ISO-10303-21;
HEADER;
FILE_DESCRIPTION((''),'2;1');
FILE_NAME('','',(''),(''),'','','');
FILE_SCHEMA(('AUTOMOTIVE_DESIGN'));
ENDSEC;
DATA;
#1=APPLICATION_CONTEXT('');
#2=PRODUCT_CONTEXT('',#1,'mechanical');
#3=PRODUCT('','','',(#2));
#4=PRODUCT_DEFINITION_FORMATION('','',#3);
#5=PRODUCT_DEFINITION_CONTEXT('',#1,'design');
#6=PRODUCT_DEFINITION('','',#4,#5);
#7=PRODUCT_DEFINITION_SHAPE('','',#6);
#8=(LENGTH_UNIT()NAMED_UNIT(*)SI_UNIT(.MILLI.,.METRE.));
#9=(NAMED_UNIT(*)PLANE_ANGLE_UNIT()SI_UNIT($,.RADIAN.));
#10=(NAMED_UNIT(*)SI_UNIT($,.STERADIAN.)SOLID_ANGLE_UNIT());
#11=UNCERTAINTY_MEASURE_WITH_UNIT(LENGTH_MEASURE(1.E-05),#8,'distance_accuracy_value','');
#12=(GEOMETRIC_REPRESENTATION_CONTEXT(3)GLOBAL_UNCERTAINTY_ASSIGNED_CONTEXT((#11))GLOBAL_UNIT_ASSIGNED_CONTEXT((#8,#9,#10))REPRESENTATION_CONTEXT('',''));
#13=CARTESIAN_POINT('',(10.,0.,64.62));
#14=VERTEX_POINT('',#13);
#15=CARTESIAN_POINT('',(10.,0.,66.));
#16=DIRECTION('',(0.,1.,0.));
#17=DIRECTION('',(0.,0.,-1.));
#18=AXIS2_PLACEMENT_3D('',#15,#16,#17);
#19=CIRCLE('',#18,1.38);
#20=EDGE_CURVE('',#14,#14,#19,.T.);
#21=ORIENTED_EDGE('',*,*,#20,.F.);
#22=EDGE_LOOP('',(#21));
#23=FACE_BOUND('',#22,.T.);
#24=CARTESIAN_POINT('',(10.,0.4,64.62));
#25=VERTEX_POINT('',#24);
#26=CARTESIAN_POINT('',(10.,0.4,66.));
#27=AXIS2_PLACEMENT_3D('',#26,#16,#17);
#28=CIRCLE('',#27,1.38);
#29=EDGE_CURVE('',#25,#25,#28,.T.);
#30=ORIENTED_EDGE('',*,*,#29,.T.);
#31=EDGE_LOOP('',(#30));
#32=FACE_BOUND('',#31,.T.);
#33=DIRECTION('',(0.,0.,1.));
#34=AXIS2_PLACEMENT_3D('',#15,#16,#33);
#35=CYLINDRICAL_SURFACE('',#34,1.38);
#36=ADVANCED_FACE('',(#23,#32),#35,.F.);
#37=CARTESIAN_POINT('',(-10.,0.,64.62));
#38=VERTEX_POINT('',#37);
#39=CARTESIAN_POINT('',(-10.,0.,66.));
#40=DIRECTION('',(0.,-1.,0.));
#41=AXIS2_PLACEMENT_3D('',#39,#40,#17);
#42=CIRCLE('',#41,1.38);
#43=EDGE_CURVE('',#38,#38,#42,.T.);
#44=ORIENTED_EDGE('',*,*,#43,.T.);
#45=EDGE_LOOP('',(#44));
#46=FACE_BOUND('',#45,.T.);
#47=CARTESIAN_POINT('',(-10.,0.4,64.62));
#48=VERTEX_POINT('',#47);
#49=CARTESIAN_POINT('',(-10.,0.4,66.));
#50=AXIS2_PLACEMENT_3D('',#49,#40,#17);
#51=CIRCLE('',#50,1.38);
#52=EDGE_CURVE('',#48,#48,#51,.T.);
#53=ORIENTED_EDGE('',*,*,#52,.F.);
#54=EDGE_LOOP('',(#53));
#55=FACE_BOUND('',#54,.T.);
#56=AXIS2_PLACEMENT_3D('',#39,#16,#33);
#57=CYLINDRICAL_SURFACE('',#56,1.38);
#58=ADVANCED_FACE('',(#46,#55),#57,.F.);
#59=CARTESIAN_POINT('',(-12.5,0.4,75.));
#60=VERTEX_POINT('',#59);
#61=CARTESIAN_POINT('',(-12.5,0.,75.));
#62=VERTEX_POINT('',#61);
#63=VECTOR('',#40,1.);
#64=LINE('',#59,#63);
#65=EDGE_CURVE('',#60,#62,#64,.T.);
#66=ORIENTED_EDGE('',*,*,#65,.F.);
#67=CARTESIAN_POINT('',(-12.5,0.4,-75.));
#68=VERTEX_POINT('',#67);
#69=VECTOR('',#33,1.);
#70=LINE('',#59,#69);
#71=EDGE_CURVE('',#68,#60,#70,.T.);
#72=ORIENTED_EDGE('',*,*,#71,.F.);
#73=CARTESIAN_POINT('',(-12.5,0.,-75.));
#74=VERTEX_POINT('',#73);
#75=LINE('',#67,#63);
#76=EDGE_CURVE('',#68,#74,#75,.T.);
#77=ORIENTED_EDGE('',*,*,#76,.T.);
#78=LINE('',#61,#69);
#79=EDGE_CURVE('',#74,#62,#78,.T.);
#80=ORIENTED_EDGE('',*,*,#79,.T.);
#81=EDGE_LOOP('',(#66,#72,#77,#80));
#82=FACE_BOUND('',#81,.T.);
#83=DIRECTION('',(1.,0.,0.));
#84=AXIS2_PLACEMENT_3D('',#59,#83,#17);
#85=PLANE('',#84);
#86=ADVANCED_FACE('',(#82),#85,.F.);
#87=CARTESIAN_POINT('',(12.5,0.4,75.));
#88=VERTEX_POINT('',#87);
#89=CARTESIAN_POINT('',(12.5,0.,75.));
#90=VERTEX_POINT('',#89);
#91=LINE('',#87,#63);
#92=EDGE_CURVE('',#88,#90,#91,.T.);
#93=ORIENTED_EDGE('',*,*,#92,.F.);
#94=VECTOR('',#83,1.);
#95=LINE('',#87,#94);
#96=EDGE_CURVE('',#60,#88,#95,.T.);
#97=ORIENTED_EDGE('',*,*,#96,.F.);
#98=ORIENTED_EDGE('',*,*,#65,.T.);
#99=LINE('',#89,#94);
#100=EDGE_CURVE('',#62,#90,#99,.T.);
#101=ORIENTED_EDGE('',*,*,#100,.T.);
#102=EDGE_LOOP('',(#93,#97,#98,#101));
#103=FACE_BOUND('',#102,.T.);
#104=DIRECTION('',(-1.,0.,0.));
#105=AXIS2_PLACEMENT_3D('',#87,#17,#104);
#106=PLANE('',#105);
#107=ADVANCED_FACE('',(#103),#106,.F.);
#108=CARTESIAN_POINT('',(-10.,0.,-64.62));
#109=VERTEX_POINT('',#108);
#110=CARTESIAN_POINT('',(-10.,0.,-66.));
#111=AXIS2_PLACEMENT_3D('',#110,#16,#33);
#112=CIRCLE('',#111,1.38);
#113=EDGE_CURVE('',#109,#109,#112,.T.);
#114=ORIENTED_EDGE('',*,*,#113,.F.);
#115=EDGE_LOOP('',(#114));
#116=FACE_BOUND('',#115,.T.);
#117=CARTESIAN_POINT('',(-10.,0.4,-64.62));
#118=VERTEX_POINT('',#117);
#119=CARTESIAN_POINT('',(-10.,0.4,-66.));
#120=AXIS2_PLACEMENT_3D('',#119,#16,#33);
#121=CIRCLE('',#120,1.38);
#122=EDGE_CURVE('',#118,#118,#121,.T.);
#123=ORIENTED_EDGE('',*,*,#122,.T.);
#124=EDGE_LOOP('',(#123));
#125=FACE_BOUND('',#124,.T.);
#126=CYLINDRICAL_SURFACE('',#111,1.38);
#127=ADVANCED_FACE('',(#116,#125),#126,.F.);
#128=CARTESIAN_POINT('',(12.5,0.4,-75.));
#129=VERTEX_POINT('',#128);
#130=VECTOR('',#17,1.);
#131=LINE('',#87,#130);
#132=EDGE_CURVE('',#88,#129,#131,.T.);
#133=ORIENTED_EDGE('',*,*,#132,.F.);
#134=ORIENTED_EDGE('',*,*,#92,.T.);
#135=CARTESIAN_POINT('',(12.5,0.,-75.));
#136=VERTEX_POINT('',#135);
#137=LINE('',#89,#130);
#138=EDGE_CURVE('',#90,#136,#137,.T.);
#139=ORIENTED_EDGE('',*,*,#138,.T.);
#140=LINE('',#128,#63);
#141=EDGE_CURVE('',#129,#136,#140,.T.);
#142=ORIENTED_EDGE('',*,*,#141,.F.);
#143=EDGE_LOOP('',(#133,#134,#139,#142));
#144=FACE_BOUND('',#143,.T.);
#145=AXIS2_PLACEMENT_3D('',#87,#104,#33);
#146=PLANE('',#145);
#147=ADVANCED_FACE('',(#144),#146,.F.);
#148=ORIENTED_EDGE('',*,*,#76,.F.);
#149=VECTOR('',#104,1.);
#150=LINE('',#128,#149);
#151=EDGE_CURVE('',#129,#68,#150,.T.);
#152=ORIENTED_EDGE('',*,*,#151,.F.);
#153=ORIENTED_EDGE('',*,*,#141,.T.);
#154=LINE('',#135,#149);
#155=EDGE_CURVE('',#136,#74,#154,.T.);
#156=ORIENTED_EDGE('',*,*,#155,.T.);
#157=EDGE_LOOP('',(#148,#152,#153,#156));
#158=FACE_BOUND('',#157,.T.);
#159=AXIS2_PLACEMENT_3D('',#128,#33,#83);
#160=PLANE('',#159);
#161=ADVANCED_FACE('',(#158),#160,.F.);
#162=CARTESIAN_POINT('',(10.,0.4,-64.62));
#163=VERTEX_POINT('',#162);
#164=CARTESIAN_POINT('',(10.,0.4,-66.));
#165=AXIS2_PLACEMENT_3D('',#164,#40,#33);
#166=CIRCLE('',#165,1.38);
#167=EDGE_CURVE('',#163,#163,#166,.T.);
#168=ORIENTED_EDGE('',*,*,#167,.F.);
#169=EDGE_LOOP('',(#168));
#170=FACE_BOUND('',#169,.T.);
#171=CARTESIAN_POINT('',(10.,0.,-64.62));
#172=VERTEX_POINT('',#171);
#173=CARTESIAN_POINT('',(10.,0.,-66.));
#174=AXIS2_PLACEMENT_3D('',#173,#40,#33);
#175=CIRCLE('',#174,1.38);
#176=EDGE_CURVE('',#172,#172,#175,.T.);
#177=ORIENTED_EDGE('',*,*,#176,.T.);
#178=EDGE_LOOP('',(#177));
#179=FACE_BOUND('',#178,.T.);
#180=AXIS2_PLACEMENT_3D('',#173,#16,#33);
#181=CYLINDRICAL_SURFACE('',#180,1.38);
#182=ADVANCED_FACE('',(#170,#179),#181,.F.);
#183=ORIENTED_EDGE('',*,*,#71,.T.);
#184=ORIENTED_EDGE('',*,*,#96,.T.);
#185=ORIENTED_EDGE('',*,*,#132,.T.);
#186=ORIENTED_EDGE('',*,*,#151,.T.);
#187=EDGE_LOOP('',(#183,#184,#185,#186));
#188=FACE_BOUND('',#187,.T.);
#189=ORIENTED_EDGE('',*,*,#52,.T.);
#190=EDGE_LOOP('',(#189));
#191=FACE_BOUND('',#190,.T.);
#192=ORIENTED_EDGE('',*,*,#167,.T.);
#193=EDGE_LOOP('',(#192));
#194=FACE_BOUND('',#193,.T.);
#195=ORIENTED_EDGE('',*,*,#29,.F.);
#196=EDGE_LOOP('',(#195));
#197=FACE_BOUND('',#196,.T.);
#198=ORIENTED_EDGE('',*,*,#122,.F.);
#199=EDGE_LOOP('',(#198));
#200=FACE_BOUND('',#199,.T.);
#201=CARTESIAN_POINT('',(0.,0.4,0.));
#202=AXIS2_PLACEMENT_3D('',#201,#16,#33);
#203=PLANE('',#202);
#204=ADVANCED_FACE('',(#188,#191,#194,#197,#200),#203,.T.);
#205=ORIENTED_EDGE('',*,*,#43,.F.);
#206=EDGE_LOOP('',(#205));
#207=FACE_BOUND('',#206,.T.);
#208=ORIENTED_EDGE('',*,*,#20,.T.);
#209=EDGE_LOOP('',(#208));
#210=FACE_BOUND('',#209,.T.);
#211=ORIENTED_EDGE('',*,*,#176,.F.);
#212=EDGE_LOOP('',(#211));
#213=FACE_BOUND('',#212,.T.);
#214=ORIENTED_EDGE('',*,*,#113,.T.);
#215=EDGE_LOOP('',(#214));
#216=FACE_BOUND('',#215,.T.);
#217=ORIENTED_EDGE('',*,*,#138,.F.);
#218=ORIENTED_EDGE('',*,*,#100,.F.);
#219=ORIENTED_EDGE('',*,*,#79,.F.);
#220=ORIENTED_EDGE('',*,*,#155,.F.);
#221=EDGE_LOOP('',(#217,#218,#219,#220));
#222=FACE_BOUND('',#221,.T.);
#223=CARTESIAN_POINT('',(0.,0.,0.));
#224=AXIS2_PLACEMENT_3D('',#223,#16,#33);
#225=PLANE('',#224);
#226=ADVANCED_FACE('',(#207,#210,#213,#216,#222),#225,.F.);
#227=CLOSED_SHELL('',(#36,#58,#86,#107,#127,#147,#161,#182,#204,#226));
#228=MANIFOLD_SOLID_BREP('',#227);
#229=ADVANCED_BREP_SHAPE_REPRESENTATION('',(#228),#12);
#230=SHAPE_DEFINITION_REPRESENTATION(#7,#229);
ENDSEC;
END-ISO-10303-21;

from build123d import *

# Parameters (mm, degrees)
SKETCH1_W               = 25
SKETCH1_H               = 150
BOSS_EXTRUDE1_DEPTH     = 0.4
SKETCH2_R               = 1.38
CUT_EXTRUDE1_DEPTH      = 0.4
MIRROR2_COPY_1_SKETCH_R = 1.38
MIRROR2_COPY_1_DEPTH    = 0.4


with BuildPart() as part:
    # Sketch1 → Boss-Extrude1 (new body)
    with BuildSketch(Plane(origin=(0, 0, 0), x_dir=(1, 0, 0), z_dir=(0, 1, 0))):
        Rectangle(SKETCH1_W, SKETCH1_H)
    extrude(amount=BOSS_EXTRUDE1_DEPTH)

    # Sketch2 → Cut-Extrude1 (cut)
    with BuildSketch(Plane(origin=(0, 0.4, 0), x_dir=(1, 0, 0), z_dir=(0, 1, 0))):
        with Locations((-10, 66)):
            Circle(SKETCH2_R)
    cut_extrude1 = extrude(amount=-CUT_EXTRUDE1_DEPTH, mode=Mode.SUBTRACT)

    # Mirror1: Cut-Extrude1 across plane
    add(cut_extrude1.mirror(Plane(origin=(0, 0, 0), x_dir=(0, 0, 1), z_dir=(1, 0, 0))), mode=Mode.SUBTRACT)

    # Mirror2: Cut-Extrude1 across plane
    add(cut_extrude1.mirror(Plane.XY), mode=Mode.SUBTRACT)

    # Mirror2 copy 1 sketch → Mirror2 copy 1 (cut)
    with BuildSketch(Plane(origin=(0, 0.4, 0), x_dir=(-1, 0, 0), z_dir=(0, 1, 0))):
        with Locations((-10, 66)):
            Circle(MIRROR2_COPY_1_SKETCH_R)
    extrude(amount=-MIRROR2_COPY_1_DEPTH, mode=Mode.SUBTRACT)


solid = part.part
